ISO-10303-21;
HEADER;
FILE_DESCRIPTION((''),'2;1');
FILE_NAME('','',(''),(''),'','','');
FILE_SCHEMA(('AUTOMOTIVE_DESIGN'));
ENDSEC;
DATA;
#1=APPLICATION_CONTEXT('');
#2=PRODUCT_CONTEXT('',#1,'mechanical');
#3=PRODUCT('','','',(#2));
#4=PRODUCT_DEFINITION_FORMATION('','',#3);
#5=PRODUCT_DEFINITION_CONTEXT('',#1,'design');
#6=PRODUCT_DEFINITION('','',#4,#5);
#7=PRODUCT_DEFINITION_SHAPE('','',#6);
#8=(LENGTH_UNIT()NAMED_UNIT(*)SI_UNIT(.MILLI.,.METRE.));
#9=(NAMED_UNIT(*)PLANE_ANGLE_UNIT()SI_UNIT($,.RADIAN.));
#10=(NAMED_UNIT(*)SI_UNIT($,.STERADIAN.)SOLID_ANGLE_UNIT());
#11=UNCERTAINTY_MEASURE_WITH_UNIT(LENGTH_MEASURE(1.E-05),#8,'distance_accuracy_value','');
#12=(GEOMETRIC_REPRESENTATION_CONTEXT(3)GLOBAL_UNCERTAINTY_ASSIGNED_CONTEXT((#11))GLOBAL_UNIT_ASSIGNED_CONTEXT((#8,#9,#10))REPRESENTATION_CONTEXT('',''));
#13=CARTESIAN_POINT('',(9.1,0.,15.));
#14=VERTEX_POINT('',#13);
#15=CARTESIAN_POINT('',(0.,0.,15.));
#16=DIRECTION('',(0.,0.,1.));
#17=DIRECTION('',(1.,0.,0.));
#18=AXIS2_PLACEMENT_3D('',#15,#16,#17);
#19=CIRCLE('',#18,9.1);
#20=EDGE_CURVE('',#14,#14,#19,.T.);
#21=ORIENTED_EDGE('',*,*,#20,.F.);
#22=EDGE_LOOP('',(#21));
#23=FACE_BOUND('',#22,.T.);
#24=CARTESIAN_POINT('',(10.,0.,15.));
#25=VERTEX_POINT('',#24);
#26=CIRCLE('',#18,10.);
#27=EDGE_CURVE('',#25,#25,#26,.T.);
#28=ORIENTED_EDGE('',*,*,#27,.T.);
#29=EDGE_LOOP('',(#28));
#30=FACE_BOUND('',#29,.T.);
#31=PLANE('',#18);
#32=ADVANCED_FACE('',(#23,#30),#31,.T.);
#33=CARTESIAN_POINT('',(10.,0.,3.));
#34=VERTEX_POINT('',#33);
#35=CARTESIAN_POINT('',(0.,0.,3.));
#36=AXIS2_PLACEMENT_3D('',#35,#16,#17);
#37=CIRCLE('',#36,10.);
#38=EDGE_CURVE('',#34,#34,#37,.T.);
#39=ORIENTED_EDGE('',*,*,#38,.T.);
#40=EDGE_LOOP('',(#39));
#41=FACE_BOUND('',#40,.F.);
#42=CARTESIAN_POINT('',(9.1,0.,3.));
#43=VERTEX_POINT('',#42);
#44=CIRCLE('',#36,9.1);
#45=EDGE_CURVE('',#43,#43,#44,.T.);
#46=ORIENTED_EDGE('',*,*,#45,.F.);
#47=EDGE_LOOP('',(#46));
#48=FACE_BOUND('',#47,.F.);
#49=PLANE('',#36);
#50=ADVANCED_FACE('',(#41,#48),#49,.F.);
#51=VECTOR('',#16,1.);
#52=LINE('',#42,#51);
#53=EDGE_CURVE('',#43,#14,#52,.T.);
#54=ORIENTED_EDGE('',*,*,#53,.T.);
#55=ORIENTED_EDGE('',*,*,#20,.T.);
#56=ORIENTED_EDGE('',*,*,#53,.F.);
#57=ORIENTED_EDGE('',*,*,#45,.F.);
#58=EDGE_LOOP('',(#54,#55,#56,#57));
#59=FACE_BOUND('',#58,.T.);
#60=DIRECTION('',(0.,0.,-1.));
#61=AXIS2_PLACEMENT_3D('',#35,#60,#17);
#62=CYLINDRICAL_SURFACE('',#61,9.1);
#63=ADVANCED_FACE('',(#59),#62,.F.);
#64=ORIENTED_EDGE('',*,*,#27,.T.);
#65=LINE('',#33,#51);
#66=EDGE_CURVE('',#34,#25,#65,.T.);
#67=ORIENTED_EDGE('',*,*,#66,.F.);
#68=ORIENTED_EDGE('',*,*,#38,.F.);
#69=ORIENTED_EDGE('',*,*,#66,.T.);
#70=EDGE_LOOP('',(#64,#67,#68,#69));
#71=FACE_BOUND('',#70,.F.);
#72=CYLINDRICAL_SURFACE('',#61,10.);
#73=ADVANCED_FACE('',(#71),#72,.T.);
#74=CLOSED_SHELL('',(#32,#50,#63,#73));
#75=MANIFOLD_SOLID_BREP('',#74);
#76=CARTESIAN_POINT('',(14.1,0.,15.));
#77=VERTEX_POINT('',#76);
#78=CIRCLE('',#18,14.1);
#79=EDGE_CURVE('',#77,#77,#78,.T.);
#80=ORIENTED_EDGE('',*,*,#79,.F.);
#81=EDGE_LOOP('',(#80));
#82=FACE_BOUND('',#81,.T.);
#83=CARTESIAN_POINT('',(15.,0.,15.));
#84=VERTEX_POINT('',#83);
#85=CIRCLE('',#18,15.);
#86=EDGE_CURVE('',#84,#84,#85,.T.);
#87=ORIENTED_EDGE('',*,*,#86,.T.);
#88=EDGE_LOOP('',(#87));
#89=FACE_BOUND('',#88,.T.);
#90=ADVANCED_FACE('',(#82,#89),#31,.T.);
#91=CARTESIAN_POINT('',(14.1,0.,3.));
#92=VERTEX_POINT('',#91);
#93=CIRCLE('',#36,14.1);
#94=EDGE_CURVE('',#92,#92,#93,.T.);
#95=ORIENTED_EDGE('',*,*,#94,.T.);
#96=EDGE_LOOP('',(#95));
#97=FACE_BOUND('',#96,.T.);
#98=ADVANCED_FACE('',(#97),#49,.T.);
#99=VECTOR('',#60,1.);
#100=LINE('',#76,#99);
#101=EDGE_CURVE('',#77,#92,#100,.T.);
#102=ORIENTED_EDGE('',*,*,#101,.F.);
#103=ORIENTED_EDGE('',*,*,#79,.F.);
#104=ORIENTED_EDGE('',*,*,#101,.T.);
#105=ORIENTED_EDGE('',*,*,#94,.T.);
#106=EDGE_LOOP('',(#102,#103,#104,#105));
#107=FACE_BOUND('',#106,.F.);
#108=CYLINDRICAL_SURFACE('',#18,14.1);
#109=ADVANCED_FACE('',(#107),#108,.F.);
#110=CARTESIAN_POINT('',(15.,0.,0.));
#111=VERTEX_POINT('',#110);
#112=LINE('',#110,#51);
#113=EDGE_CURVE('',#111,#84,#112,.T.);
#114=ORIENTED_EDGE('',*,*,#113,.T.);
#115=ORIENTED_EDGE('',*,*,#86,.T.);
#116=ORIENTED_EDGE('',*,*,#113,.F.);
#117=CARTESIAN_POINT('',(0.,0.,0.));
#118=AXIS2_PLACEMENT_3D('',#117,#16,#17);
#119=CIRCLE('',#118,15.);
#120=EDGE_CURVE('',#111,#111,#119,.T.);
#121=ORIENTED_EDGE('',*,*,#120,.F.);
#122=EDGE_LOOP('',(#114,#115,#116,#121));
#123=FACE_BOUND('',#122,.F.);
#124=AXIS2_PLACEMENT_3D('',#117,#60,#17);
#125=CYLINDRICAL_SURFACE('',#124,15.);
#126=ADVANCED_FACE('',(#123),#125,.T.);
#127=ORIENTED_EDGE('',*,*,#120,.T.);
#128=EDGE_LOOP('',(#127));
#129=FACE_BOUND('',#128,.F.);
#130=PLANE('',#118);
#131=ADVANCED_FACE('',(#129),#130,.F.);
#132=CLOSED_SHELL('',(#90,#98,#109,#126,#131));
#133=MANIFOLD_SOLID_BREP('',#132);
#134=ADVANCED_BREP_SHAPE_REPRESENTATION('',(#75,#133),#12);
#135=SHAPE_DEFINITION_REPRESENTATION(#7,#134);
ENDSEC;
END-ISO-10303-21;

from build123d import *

# Parameters (mm, degrees)
F0_R     = 15
F1_DEPTH = 15
F2_R     = 14.1
F3_DEPTH = 12
F4_R     = 10
F4_R_2   = 9.1
F5_DEPTH = 12


with BuildPart() as f1:
    # F0 (on Top) → F1 (new body)
    with BuildSketch(Plane.XY):
        Circle(F0_R)
    extrude(amount=F1_DEPTH)

    # F2 (on face) → F3 (cut)
    with BuildSketch(Plane.XY.offset(15)):
        Circle(F2_R)
    extrude(amount=-F3_DEPTH, mode=Mode.SUBTRACT)


with BuildPart() as f5:
    # F4 (on face) → F5 (new body, through all)
    with BuildSketch(Plane.XY.offset(3)):
        Circle(F4_R)
        Circle(F4_R_2, mode=Mode.SUBTRACT)
    extrude(amount=F5_DEPTH)


solid = Compound([f1.part, f5.part])
